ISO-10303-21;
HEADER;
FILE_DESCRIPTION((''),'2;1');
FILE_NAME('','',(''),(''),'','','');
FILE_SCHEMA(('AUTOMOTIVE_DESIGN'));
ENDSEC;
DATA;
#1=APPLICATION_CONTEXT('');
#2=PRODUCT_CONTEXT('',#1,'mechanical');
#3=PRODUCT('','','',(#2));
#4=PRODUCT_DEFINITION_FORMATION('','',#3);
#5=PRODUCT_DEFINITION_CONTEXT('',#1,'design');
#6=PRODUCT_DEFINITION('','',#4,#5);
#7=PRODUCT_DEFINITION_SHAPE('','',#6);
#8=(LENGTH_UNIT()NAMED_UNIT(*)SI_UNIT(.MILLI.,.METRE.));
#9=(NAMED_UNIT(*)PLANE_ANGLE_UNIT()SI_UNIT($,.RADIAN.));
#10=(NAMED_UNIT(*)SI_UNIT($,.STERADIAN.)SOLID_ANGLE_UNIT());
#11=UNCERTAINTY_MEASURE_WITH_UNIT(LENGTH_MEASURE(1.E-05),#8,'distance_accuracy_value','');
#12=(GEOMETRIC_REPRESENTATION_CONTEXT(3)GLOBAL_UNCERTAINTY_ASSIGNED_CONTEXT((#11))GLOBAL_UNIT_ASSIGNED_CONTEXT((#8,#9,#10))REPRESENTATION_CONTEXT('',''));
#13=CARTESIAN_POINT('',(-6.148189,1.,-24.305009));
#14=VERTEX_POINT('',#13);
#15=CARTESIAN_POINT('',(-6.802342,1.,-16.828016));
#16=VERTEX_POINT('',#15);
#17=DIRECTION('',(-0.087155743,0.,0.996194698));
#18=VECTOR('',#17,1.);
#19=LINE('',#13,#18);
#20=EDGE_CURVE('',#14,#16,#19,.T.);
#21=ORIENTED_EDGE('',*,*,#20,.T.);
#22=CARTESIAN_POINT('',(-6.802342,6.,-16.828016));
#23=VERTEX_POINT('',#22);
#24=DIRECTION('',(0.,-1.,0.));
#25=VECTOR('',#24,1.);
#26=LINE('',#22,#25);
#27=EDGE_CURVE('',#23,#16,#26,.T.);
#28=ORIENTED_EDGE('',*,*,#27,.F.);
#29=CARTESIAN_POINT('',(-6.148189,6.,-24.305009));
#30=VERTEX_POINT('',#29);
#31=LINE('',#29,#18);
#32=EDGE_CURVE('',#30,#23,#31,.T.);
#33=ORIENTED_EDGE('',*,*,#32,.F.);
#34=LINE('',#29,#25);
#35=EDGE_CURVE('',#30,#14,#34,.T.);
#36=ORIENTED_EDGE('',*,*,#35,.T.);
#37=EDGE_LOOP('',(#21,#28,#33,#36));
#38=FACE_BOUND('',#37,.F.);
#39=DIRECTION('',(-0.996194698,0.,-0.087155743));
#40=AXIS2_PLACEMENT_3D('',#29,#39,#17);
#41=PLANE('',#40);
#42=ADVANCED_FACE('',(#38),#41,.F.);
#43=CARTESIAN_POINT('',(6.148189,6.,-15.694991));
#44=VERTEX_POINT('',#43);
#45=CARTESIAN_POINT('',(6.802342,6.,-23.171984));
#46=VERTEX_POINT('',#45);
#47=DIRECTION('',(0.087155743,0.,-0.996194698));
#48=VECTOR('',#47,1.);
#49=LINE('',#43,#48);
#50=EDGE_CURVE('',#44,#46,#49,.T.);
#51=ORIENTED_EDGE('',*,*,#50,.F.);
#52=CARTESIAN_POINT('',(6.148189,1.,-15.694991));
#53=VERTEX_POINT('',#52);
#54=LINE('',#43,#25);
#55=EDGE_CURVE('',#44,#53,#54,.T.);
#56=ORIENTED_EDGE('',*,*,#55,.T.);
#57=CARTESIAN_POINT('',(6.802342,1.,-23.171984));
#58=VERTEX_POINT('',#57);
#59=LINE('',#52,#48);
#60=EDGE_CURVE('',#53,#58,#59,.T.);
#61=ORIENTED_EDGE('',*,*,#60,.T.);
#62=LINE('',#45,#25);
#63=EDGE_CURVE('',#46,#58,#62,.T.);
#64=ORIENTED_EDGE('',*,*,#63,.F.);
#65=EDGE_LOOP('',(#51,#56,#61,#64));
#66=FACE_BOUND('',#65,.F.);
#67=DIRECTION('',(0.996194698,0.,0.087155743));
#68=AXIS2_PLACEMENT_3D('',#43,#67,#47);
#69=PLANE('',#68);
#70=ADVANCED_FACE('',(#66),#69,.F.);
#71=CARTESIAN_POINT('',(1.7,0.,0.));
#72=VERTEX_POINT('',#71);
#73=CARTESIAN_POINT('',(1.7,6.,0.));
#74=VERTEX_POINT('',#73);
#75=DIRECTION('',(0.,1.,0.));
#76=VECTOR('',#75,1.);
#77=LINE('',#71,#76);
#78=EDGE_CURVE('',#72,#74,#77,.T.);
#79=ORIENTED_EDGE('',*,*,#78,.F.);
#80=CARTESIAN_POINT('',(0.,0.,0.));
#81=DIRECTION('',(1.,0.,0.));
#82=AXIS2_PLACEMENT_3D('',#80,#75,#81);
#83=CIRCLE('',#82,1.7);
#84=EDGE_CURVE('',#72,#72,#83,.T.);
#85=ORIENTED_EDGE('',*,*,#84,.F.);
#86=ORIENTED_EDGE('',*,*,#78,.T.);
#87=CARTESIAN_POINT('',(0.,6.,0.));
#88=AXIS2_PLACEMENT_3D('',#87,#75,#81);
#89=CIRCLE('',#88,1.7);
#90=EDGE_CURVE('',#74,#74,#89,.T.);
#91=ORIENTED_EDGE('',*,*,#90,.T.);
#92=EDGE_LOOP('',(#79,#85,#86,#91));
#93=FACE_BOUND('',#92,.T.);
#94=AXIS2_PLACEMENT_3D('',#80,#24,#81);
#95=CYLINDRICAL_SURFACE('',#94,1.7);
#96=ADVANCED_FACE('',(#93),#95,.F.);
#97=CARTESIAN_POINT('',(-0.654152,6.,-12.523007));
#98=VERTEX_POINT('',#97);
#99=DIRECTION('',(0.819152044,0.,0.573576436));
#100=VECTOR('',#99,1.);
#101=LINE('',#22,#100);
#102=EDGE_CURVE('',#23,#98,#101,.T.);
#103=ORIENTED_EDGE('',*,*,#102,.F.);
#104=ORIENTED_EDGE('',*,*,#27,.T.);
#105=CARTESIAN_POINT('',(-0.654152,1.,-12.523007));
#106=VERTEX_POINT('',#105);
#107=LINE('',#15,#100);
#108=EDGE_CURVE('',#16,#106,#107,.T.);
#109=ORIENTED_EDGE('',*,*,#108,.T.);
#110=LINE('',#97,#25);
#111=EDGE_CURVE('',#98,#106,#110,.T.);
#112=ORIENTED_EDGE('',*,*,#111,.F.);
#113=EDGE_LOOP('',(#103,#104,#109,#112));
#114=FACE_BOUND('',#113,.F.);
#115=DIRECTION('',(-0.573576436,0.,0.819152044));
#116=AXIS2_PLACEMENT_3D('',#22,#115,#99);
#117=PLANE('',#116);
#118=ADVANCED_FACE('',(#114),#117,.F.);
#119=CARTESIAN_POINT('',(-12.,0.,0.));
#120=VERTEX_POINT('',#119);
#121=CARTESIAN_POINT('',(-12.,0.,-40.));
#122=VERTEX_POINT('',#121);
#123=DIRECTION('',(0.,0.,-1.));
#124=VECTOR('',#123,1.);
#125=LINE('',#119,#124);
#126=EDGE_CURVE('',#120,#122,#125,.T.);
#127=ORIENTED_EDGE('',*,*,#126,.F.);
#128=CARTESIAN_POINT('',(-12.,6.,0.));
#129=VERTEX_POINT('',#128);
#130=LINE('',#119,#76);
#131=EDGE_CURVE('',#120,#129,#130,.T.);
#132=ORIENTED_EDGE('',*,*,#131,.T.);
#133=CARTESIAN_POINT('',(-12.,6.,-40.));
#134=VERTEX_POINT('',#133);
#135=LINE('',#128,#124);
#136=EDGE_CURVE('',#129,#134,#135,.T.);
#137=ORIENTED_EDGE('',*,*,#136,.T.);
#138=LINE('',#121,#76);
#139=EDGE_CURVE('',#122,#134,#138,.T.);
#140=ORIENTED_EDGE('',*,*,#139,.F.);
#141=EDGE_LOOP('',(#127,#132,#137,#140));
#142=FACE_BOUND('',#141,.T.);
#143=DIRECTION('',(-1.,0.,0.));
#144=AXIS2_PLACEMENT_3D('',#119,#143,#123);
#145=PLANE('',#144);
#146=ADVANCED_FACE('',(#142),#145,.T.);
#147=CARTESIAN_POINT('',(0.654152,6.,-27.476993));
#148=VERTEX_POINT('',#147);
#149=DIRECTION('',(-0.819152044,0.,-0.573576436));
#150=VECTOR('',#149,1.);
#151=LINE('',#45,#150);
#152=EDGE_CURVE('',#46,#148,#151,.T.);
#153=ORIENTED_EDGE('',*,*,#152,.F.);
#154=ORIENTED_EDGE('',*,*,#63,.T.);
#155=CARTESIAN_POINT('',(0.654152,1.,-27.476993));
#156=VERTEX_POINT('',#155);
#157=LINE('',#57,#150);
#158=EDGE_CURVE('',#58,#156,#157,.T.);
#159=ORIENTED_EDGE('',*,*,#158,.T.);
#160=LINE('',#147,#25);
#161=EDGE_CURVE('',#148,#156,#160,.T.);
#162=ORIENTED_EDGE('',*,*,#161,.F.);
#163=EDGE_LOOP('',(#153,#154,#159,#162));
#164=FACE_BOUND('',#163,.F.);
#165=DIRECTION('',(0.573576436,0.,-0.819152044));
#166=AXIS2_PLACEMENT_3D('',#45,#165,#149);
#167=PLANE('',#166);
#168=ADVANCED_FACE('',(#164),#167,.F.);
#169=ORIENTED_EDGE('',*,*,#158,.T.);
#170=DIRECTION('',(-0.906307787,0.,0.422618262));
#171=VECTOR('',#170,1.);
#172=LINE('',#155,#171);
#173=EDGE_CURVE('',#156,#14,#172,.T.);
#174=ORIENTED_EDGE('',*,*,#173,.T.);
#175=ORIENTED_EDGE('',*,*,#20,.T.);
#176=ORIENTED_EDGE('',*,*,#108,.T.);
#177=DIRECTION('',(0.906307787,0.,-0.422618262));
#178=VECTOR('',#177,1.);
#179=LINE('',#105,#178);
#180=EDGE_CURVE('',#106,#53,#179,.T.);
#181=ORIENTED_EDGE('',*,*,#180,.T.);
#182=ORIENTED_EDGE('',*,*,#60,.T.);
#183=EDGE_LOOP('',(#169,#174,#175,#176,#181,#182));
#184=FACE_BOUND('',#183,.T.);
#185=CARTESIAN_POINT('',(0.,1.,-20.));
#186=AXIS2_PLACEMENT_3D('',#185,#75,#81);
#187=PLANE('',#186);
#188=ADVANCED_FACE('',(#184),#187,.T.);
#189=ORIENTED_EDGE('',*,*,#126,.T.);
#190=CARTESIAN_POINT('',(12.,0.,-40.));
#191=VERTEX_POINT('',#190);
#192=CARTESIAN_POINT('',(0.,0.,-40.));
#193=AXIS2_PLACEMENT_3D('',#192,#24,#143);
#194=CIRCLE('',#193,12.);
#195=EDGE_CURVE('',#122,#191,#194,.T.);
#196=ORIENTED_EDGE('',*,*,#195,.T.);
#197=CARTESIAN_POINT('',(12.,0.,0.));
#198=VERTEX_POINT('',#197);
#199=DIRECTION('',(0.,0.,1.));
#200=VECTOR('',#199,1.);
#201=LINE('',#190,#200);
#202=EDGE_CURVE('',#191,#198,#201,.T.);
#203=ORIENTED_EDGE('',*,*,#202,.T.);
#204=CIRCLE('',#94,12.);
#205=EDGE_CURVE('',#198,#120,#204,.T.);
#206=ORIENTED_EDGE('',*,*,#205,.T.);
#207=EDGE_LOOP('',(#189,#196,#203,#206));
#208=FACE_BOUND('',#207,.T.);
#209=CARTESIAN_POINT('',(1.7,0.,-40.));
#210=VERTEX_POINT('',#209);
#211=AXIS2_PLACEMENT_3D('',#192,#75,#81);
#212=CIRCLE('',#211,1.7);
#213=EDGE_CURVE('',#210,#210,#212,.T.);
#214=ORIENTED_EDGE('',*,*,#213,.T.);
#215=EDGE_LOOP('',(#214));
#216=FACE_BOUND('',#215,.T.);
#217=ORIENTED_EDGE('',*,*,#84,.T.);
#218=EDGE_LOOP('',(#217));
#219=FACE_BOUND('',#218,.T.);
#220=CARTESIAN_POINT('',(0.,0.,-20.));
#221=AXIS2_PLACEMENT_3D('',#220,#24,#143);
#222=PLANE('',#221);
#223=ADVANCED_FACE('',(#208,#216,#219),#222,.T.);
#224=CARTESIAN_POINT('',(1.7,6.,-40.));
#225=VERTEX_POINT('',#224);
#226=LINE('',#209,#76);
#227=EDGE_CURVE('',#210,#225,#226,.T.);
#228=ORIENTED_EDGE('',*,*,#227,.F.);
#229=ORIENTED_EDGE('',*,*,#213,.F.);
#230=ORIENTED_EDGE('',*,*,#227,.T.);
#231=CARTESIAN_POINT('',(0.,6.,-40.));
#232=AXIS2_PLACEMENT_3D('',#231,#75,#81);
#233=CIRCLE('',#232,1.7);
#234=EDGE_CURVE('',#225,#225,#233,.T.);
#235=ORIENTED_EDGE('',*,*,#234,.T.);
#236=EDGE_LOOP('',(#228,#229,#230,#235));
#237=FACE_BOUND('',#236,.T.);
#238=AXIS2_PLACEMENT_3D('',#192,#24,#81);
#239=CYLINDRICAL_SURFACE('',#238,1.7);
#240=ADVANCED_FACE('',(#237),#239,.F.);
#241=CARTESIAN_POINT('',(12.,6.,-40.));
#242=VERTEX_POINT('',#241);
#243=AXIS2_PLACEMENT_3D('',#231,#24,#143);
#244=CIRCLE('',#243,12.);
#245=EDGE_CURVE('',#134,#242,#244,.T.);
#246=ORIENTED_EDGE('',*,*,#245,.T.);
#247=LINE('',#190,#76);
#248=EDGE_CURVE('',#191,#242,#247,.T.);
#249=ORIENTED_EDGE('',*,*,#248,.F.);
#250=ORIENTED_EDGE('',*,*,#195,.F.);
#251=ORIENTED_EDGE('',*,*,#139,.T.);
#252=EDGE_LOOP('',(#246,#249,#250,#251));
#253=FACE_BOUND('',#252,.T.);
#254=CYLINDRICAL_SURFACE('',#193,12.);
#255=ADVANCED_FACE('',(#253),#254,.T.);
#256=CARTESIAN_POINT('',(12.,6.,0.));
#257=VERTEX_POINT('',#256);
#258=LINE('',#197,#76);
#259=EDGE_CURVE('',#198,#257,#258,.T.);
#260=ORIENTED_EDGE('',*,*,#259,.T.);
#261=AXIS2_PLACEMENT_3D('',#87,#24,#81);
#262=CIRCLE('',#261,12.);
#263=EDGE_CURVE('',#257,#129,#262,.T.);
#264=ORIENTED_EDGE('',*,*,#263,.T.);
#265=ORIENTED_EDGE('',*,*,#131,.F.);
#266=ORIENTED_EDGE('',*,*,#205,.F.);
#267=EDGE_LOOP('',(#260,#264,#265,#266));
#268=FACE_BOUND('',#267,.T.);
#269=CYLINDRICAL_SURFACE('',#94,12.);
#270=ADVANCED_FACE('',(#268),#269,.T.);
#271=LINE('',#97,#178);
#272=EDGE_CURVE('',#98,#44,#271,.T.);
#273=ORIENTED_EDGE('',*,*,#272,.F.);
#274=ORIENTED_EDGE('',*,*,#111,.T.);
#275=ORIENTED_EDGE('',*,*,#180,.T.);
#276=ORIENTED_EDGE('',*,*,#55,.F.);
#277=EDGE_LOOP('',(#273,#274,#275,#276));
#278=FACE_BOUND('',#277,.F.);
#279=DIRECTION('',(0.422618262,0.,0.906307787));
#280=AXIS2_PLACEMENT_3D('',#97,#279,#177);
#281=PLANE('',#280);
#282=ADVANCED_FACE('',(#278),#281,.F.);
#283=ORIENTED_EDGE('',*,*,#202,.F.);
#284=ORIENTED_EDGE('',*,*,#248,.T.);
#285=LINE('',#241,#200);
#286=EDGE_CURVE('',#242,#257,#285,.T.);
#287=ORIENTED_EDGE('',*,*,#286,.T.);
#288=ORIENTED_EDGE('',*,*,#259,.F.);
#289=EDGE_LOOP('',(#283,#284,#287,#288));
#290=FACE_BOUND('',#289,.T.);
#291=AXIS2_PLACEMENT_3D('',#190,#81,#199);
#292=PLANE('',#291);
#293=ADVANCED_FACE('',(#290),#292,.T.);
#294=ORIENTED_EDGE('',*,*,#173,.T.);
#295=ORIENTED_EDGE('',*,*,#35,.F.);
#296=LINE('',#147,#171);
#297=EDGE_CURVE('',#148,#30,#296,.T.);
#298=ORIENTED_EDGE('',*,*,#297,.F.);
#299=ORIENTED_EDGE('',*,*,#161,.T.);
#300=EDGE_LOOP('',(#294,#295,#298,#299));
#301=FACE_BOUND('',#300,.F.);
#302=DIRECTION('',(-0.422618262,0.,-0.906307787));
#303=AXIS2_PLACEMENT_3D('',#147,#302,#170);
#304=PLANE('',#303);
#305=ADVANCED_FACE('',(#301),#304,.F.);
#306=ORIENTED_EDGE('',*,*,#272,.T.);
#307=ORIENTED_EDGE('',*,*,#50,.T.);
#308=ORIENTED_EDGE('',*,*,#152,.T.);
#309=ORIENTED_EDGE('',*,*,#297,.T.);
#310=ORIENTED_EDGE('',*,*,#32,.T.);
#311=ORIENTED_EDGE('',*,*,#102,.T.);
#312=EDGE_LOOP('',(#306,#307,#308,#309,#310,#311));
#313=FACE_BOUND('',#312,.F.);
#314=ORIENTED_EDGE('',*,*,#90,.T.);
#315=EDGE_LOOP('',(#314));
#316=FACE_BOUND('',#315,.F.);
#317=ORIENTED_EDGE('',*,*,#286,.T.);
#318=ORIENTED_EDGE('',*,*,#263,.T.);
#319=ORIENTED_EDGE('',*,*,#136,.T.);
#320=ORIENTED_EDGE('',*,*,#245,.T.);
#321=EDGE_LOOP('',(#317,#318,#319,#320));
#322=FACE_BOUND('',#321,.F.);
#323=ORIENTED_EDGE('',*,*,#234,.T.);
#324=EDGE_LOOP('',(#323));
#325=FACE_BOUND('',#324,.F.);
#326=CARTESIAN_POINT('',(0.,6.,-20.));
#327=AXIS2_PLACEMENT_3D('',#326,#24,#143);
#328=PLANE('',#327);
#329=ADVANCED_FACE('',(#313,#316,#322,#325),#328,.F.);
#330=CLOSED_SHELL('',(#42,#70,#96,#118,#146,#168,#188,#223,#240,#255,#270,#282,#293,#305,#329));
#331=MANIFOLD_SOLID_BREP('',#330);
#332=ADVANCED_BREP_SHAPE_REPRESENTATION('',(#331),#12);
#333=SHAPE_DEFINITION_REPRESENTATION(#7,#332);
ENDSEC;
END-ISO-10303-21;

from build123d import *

# Parameters (mm, degrees)
SKETCH1_R           = 1.7
BOSS_EXTRUDE1_DEPTH = 6
CUT_EXTRUDE1_DEPTH  = 5


with BuildPart() as part:
    # Sketch1 → Boss-Extrude1 (new body)
    with BuildSketch(Plane(origin=(0, 0, 0), x_dir=(1, 0, 0), z_dir=(0, 1, 0))):
        with BuildLine():
            Line((-12, 0), (-12, 40))
            ThreePointArc((-12, 40), (0, 52), (12, 40))
            Line((12, 40), (12, 0))
            ThreePointArc((12, 0), (0, -12), (-12, 0))
        make_face()
        with Locations((0, 40)):
            Circle(SKETCH1_R, mode=Mode.SUBTRACT)
        Circle(SKETCH1_R, mode=Mode.SUBTRACT)
    extrude(amount=BOSS_EXTRUDE1_DEPTH)

    # Sketch2 → Cut-Extrude1 (cut)
    with BuildSketch(Plane(origin=(0, 6, 0), x_dir=(1, 0, 0), z_dir=(0, 1, 0))):
        Polygon((6.148189493, 15.694991371), (6.802341583, 23.171983973), (0.65415209, 27.476992602), (-6.148189493, 24.305008629), (-6.802341583, 16.828016027), (-0.65415209, 12.523007398), align=None)
    extrude(amount=-CUT_EXTRUDE1_DEPTH, mode=Mode.SUBTRACT)


solid = part.part
